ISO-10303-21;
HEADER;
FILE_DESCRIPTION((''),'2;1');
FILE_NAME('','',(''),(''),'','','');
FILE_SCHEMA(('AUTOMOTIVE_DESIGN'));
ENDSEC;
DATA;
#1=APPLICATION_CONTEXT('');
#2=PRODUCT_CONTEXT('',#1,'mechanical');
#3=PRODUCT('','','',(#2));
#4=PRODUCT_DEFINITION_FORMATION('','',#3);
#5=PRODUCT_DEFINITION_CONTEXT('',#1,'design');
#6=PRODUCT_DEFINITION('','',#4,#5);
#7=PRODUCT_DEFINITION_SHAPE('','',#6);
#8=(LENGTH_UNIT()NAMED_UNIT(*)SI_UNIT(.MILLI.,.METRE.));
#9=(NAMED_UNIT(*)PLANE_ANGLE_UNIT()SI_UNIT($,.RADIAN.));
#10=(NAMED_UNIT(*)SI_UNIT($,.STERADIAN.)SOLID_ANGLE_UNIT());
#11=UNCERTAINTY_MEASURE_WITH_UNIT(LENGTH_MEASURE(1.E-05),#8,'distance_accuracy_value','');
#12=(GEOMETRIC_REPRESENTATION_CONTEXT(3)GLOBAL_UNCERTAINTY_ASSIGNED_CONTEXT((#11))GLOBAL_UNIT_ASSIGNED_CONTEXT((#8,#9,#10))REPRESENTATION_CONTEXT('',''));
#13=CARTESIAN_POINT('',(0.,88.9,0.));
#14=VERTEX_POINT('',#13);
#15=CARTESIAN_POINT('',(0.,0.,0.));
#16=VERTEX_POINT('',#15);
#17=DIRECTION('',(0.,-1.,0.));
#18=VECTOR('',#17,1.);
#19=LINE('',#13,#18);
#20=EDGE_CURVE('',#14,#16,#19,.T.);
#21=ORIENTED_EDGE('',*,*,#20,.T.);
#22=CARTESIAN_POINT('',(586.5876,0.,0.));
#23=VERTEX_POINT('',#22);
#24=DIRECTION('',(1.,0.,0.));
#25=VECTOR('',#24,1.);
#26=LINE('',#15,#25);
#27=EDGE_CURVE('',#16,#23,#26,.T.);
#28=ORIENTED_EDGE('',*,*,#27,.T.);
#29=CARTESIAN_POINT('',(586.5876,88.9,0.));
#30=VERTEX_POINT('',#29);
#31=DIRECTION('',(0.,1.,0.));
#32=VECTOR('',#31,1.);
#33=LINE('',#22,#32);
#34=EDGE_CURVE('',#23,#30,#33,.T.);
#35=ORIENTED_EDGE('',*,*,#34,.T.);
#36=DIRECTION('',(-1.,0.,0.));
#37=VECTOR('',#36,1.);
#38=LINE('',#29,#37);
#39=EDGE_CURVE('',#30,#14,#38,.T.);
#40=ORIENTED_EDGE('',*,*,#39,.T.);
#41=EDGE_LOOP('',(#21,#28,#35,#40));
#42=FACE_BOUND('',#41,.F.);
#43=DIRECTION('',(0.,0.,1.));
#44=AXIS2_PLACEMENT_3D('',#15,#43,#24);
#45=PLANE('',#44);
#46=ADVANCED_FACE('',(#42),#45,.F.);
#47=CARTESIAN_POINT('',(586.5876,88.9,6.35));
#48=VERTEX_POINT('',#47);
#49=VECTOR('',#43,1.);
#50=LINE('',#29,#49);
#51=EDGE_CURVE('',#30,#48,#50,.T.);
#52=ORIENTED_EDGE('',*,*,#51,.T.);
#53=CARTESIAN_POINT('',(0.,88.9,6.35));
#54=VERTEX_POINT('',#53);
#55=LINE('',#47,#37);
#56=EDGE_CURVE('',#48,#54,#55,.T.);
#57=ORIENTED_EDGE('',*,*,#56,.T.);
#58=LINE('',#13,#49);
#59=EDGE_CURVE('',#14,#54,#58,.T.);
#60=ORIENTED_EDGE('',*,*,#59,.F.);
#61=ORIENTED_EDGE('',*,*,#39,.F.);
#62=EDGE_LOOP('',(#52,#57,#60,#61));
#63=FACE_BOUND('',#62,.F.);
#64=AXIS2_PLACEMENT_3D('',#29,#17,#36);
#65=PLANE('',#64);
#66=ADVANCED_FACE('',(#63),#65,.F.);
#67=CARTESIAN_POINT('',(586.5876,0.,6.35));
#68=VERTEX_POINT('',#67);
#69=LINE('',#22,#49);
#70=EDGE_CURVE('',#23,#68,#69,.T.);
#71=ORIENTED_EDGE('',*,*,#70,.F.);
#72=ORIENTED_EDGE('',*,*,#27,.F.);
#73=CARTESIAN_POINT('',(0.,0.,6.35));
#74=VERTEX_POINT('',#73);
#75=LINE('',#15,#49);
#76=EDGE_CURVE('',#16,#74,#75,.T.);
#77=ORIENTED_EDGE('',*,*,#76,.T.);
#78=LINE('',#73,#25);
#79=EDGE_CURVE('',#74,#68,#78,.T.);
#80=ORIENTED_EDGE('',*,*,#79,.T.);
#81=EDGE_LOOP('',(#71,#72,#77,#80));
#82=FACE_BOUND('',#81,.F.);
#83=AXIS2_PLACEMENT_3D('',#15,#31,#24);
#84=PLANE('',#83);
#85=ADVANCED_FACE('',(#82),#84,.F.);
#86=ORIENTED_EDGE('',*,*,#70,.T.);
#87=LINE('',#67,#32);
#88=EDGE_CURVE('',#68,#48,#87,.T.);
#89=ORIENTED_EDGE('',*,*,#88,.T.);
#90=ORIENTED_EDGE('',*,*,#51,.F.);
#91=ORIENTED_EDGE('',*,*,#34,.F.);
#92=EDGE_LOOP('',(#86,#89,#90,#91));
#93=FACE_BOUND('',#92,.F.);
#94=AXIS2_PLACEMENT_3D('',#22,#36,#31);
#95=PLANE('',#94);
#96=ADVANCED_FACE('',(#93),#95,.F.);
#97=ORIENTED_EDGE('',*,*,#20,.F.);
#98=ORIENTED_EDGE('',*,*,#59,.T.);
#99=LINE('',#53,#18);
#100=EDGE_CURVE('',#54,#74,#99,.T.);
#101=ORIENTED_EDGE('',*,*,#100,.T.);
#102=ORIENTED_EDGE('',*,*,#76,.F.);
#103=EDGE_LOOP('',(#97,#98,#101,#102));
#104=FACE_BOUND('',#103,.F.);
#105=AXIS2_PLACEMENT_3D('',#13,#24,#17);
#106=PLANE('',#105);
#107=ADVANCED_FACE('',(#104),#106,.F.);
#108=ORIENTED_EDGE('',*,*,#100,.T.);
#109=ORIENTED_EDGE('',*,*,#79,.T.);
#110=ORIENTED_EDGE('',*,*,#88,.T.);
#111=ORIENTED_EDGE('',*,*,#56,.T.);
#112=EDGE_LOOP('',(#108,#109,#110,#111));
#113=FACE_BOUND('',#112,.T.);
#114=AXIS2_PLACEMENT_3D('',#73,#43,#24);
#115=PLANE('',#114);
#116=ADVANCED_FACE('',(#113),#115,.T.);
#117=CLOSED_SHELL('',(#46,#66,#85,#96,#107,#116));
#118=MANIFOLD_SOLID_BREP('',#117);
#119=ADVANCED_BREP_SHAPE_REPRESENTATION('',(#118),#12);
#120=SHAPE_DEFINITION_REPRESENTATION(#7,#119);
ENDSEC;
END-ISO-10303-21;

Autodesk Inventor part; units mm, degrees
ref_plane "YZ Plane" through (0, 0, 0) normal (1, 0, 0) x (0, 1, 0)
ref_plane "XZ Plane" through (0, 0, 0) normal (0, 1, 0) x (-1, 0, 0)
ref_plane "XY Plane" through (0, 0, 0) normal (0, 0, 1) x (1, 0, 0)
sketch "Sketch7" plane through (0, 0, 0) normal (0, 0, 1) x (1, 0, 0)
  line L0 (0, 0) -> (586.5876, 0)
  line L1 (586.5876, 0) -> (586.5876, 88.9)
  line L2 (586.5876, 88.9) -> (0, 88.9)
  line L3 (0, 88.9) -> (0, 0)
  dimension "d24" = 586.5876
  dimension "d25" = 88.9
extrude "Extrusion7" add sketch "Sketch7" along normal blind 6.35
properties part number "Face Plate FIXED"
